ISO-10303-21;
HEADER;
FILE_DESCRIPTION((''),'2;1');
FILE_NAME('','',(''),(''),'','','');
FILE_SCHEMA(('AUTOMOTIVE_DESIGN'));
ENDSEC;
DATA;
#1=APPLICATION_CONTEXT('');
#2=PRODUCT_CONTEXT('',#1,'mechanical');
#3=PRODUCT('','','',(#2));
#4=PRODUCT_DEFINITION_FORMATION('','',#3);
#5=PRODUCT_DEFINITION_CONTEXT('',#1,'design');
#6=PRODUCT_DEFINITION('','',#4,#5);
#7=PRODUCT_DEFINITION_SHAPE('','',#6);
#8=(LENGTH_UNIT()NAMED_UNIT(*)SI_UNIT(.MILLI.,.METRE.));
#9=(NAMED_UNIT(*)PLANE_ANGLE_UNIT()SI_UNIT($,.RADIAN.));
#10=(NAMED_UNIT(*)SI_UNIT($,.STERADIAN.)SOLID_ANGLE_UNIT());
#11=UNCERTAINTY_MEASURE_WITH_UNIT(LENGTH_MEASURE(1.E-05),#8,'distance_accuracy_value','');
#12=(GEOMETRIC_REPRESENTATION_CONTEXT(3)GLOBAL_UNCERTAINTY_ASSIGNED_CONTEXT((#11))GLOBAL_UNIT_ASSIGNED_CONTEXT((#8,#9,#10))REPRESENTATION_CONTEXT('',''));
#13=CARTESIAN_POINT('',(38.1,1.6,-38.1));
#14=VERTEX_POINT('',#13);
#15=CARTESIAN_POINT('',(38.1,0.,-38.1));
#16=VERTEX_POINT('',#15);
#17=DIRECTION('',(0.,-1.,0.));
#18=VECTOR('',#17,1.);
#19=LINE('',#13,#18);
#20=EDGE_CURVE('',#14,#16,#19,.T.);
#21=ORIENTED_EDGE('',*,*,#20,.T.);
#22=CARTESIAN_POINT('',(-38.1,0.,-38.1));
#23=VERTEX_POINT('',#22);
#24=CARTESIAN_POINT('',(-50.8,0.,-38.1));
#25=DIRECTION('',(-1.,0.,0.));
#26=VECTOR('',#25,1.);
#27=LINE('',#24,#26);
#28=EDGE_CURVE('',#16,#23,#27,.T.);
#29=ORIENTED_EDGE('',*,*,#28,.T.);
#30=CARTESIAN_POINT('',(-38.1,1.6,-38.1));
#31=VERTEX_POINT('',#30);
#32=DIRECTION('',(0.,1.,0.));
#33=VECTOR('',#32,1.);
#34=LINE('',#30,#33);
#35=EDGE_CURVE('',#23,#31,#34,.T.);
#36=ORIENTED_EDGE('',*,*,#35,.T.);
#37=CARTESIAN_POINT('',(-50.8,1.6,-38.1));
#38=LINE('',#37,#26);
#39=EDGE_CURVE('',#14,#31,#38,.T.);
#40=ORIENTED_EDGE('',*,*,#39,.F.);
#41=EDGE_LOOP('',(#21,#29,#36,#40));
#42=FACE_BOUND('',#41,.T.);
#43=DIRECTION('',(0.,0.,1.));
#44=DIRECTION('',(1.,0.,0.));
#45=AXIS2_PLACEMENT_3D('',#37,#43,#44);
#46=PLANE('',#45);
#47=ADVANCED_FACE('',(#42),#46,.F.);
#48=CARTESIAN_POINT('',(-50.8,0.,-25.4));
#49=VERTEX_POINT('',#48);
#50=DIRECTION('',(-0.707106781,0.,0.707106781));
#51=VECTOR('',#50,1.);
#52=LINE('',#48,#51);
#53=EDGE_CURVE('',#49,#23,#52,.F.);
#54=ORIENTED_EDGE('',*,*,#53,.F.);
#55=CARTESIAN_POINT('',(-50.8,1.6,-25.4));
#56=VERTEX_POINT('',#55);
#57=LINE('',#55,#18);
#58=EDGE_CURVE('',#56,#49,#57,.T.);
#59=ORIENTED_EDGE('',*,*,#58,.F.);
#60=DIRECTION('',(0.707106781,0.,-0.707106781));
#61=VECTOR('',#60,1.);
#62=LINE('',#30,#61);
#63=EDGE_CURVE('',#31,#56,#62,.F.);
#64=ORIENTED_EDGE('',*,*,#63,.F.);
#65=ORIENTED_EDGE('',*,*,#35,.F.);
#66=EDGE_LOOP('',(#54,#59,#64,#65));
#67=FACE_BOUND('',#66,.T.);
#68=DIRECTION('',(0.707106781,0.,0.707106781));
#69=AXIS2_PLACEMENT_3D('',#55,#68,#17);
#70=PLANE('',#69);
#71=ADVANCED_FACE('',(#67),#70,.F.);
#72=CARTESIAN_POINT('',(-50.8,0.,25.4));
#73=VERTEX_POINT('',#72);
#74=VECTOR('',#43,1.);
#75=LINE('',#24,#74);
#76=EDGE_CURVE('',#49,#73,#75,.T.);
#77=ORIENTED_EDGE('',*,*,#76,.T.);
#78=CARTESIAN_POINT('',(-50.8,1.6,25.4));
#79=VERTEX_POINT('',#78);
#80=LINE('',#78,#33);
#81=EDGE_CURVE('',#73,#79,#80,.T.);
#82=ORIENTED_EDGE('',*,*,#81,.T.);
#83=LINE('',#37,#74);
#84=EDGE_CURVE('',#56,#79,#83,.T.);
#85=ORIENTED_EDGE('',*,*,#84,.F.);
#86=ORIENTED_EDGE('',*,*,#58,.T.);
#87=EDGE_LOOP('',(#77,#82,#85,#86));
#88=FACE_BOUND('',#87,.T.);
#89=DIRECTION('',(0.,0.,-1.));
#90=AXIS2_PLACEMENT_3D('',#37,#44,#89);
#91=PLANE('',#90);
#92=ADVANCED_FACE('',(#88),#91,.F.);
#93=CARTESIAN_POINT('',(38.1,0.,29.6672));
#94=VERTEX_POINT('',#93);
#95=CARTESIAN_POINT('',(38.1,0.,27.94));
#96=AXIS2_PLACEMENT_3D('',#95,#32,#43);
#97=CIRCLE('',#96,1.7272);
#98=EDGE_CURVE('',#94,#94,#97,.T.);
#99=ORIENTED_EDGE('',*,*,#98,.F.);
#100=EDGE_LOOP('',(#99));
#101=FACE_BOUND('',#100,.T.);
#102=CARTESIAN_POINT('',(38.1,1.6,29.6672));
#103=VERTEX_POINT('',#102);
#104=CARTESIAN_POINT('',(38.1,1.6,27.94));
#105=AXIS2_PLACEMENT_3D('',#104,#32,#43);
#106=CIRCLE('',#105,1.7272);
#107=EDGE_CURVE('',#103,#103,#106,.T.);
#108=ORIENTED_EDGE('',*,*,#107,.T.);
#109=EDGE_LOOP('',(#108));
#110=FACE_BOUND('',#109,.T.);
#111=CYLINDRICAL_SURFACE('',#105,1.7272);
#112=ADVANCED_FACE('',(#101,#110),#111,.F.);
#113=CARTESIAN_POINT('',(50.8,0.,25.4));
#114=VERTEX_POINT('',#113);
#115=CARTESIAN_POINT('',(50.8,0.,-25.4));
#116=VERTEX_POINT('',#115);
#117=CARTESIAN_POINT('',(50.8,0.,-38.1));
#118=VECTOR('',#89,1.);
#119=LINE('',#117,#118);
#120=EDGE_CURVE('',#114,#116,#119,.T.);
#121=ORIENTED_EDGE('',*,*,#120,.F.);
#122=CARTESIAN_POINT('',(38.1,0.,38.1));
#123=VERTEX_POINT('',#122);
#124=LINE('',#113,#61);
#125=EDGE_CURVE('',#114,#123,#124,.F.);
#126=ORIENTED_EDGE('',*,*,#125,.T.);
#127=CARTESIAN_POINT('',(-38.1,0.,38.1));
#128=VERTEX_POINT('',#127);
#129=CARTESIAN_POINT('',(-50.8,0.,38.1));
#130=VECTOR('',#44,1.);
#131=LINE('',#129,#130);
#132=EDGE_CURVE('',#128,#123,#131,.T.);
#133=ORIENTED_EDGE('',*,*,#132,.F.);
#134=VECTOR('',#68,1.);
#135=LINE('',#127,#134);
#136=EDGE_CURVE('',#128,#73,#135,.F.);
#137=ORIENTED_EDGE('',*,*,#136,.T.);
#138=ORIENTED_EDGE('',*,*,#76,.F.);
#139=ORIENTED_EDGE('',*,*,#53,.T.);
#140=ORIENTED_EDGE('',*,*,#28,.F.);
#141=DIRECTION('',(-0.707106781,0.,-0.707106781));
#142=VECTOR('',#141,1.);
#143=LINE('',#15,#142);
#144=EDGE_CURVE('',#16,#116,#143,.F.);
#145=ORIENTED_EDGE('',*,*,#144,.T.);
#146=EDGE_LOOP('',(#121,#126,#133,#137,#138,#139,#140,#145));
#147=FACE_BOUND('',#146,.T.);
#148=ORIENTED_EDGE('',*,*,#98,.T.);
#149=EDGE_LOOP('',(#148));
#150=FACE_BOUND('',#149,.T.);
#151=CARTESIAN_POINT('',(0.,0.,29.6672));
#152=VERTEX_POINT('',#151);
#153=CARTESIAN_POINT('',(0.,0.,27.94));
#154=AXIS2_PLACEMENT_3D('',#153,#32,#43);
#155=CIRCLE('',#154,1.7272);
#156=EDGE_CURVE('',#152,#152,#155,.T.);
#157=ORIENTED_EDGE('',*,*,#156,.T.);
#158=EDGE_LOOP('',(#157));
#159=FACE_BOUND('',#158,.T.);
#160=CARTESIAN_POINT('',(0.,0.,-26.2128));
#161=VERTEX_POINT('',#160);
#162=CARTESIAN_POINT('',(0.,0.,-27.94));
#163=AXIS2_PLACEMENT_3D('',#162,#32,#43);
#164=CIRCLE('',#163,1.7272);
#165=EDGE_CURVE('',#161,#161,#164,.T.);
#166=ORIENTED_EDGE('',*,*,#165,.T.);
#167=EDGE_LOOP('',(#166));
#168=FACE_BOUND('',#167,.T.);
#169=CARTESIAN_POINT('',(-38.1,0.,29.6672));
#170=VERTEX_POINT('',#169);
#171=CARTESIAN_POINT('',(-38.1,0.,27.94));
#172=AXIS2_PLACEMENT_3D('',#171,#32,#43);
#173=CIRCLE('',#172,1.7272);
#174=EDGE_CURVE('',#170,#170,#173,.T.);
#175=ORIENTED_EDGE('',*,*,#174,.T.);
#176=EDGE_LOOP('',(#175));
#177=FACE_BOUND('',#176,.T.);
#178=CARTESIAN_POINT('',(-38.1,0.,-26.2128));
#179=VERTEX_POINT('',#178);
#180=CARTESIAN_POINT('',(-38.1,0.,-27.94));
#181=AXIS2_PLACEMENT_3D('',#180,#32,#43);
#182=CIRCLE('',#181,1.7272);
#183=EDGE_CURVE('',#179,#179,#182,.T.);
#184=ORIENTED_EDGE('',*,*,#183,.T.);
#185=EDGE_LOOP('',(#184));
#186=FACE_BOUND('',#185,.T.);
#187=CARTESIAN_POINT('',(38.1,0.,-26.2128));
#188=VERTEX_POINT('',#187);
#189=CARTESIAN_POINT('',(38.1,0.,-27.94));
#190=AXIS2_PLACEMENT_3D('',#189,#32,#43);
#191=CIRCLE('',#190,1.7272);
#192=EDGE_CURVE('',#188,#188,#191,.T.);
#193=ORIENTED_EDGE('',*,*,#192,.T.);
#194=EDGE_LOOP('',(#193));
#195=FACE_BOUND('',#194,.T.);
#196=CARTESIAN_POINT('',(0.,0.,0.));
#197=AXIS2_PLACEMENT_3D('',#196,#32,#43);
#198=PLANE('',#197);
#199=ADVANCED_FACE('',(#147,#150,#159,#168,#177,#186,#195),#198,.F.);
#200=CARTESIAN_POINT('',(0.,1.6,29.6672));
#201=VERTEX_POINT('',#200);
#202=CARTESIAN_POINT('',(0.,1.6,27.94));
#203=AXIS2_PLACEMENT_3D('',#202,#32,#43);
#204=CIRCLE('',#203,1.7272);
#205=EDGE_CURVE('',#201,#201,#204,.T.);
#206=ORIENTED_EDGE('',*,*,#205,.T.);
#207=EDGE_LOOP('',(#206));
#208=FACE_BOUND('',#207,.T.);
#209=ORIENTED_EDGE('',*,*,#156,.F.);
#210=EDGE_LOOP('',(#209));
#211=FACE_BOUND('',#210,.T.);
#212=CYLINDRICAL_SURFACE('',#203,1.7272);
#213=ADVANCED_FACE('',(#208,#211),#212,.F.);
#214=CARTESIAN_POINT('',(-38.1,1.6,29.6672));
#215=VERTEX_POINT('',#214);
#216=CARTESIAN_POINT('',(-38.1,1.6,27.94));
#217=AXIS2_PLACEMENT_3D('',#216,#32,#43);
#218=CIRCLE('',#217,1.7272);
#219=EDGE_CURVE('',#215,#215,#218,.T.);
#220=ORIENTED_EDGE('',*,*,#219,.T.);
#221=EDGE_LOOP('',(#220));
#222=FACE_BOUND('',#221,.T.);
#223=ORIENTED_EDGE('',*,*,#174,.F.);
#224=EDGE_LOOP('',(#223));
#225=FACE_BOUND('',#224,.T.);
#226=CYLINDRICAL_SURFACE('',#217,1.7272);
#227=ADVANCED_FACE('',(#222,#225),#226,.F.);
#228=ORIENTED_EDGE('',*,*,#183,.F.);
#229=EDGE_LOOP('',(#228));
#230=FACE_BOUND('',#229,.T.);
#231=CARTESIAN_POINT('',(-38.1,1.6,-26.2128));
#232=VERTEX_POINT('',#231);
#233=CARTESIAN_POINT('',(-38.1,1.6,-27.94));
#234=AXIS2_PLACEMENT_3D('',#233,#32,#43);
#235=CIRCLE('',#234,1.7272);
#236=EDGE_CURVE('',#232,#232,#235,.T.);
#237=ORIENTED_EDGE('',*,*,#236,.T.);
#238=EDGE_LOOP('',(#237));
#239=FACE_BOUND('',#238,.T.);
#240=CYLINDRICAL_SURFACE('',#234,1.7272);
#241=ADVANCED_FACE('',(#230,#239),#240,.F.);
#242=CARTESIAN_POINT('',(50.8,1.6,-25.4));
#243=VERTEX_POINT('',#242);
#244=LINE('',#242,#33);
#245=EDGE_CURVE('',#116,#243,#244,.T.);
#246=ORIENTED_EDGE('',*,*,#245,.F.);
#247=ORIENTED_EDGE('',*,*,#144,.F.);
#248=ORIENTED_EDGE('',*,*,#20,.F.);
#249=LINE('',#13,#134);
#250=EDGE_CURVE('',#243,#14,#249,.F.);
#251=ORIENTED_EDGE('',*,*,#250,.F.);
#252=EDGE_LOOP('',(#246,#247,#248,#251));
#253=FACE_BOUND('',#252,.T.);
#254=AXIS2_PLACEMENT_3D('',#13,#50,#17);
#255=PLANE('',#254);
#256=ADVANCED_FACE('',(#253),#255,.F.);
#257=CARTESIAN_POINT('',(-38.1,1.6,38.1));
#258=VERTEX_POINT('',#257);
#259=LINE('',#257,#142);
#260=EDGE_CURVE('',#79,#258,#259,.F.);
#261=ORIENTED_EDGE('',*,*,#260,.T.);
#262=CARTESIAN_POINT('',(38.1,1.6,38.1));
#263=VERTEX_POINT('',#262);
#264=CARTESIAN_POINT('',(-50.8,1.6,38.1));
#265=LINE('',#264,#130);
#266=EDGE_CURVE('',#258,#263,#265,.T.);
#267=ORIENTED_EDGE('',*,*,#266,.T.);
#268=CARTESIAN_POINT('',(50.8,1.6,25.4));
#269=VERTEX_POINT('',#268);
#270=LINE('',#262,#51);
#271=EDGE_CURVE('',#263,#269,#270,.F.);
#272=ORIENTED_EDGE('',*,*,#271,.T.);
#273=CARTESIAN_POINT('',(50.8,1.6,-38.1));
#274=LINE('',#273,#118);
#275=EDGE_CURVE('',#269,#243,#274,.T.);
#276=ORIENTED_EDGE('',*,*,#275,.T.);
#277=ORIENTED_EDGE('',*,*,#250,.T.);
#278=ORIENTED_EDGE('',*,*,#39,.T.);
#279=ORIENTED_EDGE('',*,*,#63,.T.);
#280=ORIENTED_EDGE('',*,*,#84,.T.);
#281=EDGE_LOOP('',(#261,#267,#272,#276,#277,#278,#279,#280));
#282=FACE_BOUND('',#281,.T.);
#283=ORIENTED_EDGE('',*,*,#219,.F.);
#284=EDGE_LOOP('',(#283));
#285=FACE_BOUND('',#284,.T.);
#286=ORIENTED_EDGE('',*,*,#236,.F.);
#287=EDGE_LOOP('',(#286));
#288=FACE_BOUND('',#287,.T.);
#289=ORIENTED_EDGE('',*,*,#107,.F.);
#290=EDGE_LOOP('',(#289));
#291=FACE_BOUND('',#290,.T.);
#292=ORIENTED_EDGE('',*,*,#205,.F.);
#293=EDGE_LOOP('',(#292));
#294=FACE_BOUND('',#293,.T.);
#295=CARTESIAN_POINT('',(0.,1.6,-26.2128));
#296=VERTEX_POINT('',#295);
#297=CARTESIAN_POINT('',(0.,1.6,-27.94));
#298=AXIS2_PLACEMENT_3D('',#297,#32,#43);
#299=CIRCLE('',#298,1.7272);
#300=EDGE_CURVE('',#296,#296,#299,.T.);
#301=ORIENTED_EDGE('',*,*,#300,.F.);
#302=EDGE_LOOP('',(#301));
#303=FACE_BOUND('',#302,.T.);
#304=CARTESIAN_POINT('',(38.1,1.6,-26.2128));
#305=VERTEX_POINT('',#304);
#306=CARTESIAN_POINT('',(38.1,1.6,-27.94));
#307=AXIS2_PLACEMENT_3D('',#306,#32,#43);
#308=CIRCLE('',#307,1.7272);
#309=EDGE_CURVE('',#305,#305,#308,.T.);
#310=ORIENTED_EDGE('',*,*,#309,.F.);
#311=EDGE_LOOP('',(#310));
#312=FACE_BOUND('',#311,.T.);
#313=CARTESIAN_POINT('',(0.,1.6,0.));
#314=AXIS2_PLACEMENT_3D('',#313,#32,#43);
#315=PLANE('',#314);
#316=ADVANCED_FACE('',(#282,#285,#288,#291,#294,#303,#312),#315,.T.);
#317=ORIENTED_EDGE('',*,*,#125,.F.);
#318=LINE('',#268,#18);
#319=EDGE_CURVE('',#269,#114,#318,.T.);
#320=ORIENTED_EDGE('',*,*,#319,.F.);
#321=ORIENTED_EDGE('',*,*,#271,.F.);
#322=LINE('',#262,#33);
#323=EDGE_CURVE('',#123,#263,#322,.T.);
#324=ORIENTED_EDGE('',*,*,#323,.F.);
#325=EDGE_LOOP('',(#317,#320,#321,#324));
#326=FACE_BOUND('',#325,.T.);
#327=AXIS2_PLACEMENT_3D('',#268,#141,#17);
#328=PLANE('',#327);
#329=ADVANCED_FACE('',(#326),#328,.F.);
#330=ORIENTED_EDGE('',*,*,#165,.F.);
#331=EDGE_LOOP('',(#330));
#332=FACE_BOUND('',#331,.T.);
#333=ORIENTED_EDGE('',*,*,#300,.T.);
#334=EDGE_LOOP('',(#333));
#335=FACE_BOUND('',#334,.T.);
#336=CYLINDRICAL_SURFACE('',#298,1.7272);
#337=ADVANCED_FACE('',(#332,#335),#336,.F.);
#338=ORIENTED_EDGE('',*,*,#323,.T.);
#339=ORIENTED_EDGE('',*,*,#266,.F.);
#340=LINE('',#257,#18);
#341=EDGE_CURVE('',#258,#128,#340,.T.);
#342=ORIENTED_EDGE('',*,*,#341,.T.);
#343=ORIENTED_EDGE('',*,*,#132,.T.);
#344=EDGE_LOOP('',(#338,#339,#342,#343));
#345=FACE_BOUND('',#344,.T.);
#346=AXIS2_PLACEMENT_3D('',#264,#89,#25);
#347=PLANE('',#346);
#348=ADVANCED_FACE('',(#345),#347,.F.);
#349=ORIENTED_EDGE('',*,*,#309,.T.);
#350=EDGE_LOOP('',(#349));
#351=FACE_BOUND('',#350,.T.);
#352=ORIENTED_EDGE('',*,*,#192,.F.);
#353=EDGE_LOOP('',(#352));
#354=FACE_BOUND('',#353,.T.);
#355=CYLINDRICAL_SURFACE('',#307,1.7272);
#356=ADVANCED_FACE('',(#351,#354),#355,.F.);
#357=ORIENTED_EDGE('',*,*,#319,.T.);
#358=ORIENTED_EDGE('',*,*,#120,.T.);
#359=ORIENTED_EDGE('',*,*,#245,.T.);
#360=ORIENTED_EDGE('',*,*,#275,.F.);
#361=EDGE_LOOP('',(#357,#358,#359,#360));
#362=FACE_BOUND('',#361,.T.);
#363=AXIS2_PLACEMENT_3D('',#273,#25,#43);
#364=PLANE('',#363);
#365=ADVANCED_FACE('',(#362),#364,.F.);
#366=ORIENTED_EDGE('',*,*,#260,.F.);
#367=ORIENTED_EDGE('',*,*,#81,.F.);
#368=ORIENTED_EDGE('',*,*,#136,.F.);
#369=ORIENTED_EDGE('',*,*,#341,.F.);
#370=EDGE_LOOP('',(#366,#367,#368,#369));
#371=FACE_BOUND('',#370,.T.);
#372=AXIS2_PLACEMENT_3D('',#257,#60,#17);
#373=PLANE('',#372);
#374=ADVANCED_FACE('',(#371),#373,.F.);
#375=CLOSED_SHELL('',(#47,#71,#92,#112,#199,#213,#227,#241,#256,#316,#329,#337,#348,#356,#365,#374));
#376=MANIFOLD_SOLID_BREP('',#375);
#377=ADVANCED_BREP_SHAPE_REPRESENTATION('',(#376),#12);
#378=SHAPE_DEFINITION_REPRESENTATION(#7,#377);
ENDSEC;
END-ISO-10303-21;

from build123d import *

# Parameters (mm, degrees)
SKETCH1_W             = 101.6
SKETCH1_H             = 76.2
BOSS_EXTRUDE1_DEPTH   = 1.600000102
F_4_CLEARANCE_HOLE1_D = 3.4544
CHAMFER1_SIZE         = 12.7


with BuildPart() as part:
    # Sketch1 → Boss-Extrude1 (new body)
    with BuildSketch(Plane(origin=(0, 0, 0), x_dir=(1, 0, 0), z_dir=(0, 1, 0))):
        Rectangle(SKETCH1_W, SKETCH1_H)
    extrude(amount=BOSS_EXTRUDE1_DEPTH)

    # #4 Clearance Hole1 (through all)
    with Locations(Plane(origin=(0, 1.600000102, 0), x_dir=(1, 0, 0), z_dir=(0, 1, 0))):
        with Locations((38.1, -27.94), (-38.1, -27.94), (0, -27.94), (38.1, 27.94), (0, 27.94), (-38.1, 27.94)):
            Hole(F_4_CLEARANCE_HOLE1_D / 2)

    # Chamfer1
    chamfer1_edges = [part.edges().sort_by_distance(p)[0] for p in [
        (-50.8, 0.800000051, -38.1),
        (50.8, 0.800000051, -38.1),
        (50.8, 0.800000051, 38.1),
        (-50.8, 0.800000051, 38.1),
    ]]
    chamfer(chamfer1_edges, length=CHAMFER1_SIZE)


solid = part.part
